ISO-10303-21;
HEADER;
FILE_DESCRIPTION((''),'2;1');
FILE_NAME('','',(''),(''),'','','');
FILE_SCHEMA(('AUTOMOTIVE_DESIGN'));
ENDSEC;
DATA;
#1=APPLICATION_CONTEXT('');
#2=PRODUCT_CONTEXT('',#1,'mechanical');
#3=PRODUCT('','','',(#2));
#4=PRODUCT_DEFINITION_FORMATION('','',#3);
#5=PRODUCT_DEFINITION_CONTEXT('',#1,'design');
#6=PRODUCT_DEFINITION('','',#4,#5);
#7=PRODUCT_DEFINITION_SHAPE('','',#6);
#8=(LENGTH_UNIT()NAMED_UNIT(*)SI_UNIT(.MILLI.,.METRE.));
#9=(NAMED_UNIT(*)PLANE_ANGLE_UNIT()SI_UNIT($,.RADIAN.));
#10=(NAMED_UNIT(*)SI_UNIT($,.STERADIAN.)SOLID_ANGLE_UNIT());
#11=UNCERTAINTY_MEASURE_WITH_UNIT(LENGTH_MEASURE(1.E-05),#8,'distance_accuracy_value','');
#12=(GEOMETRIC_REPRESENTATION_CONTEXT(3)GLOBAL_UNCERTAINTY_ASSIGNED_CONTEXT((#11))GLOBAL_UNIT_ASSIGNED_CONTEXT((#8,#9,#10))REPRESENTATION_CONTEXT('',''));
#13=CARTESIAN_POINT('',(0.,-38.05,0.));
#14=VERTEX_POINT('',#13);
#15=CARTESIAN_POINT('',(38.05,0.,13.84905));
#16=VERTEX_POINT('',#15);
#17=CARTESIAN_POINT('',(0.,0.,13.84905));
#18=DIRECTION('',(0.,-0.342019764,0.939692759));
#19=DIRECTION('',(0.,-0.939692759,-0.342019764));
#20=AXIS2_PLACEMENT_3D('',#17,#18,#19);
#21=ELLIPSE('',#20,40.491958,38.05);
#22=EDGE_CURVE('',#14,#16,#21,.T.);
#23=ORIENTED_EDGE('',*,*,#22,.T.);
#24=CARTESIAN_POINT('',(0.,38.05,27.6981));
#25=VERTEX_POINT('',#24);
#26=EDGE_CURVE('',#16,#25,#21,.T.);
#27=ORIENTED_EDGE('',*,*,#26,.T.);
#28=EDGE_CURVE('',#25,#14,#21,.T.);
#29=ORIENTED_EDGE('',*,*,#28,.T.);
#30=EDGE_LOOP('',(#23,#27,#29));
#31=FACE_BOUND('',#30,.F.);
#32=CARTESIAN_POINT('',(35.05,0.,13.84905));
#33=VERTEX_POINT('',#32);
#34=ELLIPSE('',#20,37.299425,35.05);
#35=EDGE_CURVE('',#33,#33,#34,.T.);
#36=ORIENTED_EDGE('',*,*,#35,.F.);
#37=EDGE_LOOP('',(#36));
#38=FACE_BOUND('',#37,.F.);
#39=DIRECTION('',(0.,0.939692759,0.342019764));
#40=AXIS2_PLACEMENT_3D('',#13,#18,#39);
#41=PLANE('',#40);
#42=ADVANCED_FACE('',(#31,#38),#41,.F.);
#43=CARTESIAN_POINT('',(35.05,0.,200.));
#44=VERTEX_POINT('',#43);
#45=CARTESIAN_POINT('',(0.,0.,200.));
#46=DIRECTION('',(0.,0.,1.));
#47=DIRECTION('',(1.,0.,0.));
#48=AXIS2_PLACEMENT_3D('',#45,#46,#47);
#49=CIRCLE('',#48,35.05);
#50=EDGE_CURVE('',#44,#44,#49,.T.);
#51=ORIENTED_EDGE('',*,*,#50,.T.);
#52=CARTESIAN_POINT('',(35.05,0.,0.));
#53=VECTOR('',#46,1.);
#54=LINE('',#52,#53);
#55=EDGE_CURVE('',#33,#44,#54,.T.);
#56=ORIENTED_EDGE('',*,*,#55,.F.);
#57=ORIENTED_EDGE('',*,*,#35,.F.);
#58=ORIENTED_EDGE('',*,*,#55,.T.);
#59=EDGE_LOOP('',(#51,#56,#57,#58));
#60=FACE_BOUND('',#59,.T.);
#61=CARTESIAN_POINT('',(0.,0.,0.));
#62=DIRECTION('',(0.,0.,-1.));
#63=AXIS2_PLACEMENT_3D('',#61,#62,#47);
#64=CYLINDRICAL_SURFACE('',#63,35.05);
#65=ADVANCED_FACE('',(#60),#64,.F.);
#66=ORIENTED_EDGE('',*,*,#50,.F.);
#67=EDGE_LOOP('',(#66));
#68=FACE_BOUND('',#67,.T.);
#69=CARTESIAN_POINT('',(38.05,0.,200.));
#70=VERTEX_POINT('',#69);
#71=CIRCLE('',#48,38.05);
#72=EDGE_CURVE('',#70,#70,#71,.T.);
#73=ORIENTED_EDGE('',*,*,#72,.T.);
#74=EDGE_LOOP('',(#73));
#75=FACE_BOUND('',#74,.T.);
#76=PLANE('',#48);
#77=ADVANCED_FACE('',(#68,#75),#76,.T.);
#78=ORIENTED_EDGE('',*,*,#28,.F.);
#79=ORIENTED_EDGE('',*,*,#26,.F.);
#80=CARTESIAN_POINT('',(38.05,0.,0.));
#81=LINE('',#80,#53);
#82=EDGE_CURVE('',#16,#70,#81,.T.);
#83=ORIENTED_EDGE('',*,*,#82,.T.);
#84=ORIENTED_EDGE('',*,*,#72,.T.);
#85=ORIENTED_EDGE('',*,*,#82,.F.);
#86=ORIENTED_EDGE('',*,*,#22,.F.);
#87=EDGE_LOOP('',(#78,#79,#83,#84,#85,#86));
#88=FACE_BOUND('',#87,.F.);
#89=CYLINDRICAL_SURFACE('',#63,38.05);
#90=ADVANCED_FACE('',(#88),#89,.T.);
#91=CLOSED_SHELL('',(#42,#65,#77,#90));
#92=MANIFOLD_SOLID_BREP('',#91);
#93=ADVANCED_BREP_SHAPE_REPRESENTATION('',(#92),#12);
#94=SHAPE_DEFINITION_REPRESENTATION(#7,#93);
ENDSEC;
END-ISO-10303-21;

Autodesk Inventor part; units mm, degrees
ref_plane "YZ Plane" through (0, 0, 0) normal (1, 0, 0) x (0, 1, 0)
ref_plane "XZ Plane" through (0, 0, 0) normal (0, 1, 0) x (-1, 0, 0)
ref_plane "XY Plane" through (0, 0, 0) normal (0, 0, 1) x (1, 0, 0)
sketch "Sketch1" plane through (0, 0, 0) normal (0, 0, 1) x (1, 0, 0)
  circle A0 centre (0, 0) radius 38.05
  circle A1 centre (0, 0) radius 35.05
  dimension "d0" = 76.1
  dimension "d1" = 3
extrude "Extrusion1" add sketch "Sketch1" along normal blind 200
sketch "Sketch2" plane through (0, 0, 0) normal (1, 0, 0) x (0, 1, 0)
  line L0 (38.05, 200) -> (-38.05, 200) projected
  line L1 (38.05, 0) -> (-38.05, 0) projected
  line L2 (-38.05, 0) -> (38.05, 27.6981)
  line L3 (38.05, 27.6981) -> (38.05, 0)
  line L4 (38.05, 0) -> (38.05, 200) projected
  point P0 (0, 0)
  dimension "d4" = 20
extrude "Extrusion2" cut sketch "Sketch2" along normal mid plane 300
properties part number "МОО 065 ракета труба 5"
